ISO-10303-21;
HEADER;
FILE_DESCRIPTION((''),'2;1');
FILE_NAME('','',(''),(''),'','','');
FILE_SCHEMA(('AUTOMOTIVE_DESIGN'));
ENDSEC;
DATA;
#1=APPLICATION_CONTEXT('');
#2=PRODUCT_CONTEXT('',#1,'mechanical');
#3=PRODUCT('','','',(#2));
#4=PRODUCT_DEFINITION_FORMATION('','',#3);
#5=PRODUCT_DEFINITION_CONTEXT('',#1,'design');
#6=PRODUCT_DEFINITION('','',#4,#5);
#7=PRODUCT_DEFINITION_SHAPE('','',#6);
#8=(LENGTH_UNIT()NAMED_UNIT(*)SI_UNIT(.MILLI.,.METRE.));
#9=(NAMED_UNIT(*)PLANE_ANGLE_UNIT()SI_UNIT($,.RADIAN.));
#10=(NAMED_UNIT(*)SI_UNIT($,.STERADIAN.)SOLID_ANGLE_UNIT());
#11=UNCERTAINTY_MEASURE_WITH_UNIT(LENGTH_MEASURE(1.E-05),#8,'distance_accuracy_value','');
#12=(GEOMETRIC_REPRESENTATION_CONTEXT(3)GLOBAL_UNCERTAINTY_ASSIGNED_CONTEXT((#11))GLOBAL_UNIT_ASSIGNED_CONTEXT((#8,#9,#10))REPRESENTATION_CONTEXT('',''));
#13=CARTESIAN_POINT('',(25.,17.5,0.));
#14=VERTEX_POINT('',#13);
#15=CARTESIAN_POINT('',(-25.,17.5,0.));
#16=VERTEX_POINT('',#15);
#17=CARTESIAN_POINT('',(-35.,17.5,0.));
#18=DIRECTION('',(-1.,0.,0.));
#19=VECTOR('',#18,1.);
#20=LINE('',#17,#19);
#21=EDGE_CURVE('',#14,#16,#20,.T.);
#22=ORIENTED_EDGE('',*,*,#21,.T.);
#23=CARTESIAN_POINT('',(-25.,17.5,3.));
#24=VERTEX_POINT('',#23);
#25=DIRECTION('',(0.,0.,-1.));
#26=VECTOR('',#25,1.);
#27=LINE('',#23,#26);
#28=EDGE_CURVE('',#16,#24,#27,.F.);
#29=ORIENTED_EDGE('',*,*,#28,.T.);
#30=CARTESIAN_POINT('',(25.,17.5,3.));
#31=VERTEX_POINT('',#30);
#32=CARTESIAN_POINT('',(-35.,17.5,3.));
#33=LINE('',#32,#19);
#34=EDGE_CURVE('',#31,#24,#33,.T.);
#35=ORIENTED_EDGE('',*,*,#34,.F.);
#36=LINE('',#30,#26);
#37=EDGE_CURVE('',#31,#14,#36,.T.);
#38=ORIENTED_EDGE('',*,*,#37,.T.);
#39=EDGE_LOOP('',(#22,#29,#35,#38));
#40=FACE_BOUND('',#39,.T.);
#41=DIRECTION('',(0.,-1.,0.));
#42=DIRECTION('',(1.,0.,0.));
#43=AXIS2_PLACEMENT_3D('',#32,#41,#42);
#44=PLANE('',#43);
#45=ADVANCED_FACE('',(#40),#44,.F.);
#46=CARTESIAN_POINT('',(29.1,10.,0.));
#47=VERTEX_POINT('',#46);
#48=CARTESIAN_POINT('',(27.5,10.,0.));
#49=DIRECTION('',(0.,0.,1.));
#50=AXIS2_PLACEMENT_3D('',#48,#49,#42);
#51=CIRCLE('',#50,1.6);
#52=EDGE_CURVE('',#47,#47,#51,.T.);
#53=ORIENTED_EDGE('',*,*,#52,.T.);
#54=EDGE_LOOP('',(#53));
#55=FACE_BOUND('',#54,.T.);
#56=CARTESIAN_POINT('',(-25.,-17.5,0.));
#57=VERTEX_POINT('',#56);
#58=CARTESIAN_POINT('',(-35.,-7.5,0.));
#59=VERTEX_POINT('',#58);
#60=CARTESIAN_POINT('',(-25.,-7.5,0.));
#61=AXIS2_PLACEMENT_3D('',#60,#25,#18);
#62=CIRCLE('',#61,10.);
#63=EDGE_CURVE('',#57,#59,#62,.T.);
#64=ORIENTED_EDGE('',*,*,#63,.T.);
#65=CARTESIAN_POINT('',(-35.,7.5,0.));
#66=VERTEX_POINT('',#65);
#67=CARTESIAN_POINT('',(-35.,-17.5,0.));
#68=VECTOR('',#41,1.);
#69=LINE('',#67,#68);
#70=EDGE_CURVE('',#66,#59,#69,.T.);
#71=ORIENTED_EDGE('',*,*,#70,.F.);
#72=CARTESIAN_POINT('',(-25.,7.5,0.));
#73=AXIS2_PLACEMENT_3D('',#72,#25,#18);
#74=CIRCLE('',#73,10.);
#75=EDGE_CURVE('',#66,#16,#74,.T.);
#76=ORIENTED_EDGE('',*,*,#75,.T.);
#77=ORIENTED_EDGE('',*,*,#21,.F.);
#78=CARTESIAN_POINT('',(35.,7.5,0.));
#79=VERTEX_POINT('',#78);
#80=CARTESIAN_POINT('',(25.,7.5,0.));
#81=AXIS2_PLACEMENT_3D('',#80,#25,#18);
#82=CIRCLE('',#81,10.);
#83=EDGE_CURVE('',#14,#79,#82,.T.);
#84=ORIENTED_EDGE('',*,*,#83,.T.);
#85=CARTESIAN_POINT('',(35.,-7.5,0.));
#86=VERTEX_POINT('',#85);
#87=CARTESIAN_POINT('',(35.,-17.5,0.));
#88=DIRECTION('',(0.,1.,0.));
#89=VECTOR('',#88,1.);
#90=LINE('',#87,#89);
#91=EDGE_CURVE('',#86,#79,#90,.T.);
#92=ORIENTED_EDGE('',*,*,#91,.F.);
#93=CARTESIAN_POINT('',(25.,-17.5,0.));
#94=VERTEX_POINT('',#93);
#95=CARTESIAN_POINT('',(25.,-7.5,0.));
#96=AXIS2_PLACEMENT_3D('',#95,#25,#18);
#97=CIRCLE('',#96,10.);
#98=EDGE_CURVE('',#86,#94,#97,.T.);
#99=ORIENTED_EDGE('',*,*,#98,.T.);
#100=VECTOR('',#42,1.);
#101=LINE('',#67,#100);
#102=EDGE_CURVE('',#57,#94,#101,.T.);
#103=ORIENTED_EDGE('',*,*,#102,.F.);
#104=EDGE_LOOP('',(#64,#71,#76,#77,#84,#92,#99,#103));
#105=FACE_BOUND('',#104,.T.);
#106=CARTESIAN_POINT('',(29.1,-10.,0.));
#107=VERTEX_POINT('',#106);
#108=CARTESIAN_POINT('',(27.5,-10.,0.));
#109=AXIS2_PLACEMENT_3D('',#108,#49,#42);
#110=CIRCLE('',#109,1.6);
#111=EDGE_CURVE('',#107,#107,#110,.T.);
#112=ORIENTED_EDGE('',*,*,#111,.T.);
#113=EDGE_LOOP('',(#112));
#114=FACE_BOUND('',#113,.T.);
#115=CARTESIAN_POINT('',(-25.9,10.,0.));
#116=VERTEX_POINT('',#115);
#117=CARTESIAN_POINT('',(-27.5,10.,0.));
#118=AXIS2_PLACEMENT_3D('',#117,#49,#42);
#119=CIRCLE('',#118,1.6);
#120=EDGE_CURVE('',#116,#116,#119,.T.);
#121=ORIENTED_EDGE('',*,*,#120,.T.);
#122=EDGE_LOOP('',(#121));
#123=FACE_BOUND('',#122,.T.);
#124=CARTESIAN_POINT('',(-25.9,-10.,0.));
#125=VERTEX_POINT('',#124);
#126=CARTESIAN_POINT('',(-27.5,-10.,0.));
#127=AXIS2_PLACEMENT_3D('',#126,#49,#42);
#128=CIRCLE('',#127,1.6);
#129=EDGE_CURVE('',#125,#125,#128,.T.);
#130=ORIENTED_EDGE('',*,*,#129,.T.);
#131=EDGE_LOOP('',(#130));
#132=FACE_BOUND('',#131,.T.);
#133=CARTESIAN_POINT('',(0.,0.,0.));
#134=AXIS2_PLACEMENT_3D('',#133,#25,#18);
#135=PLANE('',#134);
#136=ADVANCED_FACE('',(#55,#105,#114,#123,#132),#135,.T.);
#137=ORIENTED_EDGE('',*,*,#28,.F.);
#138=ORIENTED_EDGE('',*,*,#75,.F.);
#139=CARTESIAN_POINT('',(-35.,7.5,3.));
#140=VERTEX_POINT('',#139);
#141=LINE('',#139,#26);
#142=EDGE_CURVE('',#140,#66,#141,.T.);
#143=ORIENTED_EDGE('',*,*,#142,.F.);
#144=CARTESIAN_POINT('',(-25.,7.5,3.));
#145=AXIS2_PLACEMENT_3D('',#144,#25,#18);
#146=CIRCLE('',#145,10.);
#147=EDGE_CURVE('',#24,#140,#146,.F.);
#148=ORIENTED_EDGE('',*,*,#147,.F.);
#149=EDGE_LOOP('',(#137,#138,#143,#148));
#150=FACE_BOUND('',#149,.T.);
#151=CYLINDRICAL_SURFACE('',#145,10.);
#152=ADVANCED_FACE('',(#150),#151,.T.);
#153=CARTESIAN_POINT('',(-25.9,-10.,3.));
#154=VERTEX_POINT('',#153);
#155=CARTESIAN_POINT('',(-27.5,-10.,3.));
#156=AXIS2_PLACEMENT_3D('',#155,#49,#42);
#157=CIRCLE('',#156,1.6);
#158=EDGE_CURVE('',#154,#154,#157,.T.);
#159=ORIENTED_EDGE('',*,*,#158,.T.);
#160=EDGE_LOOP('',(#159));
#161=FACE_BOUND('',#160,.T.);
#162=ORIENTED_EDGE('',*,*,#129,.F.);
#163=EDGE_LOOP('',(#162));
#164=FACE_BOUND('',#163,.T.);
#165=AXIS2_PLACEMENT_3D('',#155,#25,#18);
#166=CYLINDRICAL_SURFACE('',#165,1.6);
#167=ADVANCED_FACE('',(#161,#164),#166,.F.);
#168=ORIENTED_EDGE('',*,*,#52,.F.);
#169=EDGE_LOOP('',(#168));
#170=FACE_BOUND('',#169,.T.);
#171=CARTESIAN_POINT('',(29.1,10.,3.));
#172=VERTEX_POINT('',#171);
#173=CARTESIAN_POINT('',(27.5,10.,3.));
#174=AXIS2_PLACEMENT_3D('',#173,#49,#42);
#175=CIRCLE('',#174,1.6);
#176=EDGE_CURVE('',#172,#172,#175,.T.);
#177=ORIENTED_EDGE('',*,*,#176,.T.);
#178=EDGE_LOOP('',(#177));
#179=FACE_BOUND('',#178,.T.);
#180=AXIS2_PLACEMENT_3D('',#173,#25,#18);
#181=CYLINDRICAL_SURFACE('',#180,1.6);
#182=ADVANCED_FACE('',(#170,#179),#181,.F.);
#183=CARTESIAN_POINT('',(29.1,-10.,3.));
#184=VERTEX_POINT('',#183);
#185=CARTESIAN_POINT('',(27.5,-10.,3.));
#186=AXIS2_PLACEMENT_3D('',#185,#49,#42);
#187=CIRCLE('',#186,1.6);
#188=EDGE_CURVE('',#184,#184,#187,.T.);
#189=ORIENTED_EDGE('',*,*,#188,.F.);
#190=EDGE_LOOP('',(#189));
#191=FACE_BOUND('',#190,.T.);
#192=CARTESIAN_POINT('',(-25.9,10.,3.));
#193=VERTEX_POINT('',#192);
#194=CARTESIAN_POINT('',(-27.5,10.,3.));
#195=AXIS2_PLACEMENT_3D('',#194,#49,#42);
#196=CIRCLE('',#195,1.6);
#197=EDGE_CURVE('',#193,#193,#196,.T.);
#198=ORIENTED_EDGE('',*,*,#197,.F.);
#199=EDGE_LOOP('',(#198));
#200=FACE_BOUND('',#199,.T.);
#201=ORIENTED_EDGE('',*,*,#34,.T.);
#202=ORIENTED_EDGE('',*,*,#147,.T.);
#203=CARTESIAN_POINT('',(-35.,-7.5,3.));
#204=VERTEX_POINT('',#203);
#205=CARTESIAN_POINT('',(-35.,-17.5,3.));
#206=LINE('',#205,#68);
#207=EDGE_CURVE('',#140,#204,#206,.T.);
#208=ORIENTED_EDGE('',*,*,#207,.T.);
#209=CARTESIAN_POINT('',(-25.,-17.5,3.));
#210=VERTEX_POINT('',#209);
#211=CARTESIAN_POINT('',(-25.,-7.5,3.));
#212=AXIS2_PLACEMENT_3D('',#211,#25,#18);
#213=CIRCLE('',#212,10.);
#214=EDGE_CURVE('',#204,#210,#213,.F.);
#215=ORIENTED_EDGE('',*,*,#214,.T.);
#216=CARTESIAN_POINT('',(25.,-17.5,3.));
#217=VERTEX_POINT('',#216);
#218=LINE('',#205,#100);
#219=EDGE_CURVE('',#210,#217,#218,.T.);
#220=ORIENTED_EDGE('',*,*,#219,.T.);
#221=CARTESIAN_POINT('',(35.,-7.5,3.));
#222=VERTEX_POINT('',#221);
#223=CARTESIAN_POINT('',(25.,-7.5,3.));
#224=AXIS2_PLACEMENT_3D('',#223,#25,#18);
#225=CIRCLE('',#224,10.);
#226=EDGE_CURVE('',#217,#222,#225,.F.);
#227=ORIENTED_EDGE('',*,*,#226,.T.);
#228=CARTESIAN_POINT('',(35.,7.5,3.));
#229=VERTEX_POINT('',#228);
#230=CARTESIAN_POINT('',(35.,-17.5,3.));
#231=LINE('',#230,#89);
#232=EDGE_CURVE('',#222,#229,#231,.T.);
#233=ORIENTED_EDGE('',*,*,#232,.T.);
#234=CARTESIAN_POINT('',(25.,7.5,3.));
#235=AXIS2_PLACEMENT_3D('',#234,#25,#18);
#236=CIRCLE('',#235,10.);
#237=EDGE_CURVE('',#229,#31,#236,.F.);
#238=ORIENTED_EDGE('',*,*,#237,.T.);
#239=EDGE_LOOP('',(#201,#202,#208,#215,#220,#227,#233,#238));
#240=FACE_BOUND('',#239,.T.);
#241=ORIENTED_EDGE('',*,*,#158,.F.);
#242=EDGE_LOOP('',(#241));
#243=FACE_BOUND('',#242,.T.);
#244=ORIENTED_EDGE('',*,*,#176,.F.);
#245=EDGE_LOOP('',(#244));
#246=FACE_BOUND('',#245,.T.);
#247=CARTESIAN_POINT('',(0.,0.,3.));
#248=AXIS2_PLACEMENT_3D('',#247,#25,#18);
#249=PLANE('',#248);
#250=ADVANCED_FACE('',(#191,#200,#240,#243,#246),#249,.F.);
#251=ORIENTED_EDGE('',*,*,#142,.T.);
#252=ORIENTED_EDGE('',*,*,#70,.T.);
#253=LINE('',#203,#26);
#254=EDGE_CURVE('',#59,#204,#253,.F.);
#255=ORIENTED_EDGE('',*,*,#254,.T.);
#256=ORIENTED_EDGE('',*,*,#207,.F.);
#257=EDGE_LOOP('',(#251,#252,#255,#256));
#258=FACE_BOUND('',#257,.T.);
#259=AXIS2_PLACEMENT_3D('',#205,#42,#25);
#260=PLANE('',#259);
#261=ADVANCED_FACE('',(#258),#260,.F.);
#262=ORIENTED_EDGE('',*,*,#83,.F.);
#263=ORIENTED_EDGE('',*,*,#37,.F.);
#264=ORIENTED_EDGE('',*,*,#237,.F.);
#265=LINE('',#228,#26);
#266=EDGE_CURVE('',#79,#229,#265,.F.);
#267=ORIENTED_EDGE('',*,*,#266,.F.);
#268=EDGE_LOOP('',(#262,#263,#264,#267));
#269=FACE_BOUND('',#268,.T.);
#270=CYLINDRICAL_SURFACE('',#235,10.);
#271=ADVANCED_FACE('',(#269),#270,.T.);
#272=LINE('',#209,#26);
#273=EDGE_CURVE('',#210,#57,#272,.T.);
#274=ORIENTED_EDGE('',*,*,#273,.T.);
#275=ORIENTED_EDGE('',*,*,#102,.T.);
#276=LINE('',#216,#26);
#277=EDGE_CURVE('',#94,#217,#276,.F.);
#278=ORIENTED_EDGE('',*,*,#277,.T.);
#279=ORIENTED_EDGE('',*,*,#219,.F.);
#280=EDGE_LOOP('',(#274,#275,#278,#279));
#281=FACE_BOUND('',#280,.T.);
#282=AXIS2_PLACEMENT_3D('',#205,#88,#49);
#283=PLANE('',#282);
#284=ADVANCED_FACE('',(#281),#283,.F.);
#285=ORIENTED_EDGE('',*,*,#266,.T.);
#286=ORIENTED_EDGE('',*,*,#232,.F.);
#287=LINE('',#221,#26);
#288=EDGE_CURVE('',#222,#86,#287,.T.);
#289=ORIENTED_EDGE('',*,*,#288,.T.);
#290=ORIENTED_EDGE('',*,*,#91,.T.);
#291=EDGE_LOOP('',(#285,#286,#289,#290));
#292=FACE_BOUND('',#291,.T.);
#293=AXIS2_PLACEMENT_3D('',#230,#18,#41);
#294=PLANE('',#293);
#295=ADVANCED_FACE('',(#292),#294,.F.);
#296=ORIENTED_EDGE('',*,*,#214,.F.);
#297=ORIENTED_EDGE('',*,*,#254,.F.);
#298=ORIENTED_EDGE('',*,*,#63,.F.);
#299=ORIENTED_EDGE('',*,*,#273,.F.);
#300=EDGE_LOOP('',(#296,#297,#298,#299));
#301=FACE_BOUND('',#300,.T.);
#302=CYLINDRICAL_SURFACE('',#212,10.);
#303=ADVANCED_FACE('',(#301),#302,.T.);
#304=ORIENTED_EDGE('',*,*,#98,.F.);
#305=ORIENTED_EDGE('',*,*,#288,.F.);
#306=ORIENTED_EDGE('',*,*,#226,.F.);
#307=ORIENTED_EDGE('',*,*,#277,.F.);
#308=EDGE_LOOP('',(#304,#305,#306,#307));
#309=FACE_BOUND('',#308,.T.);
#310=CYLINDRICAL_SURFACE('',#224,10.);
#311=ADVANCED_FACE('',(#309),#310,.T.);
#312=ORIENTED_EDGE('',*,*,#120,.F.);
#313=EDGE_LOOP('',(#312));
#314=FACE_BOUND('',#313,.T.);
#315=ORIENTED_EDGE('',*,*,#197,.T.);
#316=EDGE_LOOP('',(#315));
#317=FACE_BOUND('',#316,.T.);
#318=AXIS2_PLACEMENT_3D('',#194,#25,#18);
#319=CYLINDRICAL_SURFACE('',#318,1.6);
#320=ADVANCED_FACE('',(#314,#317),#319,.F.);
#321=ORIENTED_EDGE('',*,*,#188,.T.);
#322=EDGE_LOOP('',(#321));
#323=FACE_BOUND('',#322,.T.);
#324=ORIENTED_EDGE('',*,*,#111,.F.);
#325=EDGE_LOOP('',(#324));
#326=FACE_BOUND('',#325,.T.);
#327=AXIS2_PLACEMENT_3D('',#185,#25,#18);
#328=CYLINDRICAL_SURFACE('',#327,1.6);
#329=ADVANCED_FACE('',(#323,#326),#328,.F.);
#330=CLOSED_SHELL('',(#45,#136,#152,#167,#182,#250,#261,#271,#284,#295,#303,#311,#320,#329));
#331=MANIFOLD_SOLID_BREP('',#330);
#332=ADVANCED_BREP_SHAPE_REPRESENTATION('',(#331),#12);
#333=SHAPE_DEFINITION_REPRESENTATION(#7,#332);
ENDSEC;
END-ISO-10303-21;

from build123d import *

# Parameters (mm, degrees)
SKETCH_1_W      = 70
SKETCH_1_H      = 35
SKETCH_1_R      = 1.6
EXTRUDE_1_DEPTH = 3
FILLET_1_R      = 10


with BuildPart() as part:
    # 草图1 → 凸台-拉伸1 (new body)
    with BuildSketch(Plane.XY):
        Rectangle(SKETCH_1_W, SKETCH_1_H)
        with Locations((-27.5, 10)):
            Circle(SKETCH_1_R, mode=Mode.SUBTRACT)
        with Locations((-27.5, -10)):
            Circle(SKETCH_1_R, mode=Mode.SUBTRACT)
        with Locations((27.5, -10)):
            Circle(SKETCH_1_R, mode=Mode.SUBTRACT)
        with Locations((27.5, 10)):
            Circle(SKETCH_1_R, mode=Mode.SUBTRACT)
    extrude(amount=EXTRUDE_1_DEPTH)

    # 圆角1
    fillet_1_edges = [part.edges().sort_by_distance(p)[0] for p in [
        (35, -17.5, 1.5),
        (-35, -17.5, 1.5),
        (-35, 17.5, 1.5),
        (35, 17.5, 1.5),
    ]]
    fillet(fillet_1_edges, radius=FILLET_1_R)


solid = part.part
